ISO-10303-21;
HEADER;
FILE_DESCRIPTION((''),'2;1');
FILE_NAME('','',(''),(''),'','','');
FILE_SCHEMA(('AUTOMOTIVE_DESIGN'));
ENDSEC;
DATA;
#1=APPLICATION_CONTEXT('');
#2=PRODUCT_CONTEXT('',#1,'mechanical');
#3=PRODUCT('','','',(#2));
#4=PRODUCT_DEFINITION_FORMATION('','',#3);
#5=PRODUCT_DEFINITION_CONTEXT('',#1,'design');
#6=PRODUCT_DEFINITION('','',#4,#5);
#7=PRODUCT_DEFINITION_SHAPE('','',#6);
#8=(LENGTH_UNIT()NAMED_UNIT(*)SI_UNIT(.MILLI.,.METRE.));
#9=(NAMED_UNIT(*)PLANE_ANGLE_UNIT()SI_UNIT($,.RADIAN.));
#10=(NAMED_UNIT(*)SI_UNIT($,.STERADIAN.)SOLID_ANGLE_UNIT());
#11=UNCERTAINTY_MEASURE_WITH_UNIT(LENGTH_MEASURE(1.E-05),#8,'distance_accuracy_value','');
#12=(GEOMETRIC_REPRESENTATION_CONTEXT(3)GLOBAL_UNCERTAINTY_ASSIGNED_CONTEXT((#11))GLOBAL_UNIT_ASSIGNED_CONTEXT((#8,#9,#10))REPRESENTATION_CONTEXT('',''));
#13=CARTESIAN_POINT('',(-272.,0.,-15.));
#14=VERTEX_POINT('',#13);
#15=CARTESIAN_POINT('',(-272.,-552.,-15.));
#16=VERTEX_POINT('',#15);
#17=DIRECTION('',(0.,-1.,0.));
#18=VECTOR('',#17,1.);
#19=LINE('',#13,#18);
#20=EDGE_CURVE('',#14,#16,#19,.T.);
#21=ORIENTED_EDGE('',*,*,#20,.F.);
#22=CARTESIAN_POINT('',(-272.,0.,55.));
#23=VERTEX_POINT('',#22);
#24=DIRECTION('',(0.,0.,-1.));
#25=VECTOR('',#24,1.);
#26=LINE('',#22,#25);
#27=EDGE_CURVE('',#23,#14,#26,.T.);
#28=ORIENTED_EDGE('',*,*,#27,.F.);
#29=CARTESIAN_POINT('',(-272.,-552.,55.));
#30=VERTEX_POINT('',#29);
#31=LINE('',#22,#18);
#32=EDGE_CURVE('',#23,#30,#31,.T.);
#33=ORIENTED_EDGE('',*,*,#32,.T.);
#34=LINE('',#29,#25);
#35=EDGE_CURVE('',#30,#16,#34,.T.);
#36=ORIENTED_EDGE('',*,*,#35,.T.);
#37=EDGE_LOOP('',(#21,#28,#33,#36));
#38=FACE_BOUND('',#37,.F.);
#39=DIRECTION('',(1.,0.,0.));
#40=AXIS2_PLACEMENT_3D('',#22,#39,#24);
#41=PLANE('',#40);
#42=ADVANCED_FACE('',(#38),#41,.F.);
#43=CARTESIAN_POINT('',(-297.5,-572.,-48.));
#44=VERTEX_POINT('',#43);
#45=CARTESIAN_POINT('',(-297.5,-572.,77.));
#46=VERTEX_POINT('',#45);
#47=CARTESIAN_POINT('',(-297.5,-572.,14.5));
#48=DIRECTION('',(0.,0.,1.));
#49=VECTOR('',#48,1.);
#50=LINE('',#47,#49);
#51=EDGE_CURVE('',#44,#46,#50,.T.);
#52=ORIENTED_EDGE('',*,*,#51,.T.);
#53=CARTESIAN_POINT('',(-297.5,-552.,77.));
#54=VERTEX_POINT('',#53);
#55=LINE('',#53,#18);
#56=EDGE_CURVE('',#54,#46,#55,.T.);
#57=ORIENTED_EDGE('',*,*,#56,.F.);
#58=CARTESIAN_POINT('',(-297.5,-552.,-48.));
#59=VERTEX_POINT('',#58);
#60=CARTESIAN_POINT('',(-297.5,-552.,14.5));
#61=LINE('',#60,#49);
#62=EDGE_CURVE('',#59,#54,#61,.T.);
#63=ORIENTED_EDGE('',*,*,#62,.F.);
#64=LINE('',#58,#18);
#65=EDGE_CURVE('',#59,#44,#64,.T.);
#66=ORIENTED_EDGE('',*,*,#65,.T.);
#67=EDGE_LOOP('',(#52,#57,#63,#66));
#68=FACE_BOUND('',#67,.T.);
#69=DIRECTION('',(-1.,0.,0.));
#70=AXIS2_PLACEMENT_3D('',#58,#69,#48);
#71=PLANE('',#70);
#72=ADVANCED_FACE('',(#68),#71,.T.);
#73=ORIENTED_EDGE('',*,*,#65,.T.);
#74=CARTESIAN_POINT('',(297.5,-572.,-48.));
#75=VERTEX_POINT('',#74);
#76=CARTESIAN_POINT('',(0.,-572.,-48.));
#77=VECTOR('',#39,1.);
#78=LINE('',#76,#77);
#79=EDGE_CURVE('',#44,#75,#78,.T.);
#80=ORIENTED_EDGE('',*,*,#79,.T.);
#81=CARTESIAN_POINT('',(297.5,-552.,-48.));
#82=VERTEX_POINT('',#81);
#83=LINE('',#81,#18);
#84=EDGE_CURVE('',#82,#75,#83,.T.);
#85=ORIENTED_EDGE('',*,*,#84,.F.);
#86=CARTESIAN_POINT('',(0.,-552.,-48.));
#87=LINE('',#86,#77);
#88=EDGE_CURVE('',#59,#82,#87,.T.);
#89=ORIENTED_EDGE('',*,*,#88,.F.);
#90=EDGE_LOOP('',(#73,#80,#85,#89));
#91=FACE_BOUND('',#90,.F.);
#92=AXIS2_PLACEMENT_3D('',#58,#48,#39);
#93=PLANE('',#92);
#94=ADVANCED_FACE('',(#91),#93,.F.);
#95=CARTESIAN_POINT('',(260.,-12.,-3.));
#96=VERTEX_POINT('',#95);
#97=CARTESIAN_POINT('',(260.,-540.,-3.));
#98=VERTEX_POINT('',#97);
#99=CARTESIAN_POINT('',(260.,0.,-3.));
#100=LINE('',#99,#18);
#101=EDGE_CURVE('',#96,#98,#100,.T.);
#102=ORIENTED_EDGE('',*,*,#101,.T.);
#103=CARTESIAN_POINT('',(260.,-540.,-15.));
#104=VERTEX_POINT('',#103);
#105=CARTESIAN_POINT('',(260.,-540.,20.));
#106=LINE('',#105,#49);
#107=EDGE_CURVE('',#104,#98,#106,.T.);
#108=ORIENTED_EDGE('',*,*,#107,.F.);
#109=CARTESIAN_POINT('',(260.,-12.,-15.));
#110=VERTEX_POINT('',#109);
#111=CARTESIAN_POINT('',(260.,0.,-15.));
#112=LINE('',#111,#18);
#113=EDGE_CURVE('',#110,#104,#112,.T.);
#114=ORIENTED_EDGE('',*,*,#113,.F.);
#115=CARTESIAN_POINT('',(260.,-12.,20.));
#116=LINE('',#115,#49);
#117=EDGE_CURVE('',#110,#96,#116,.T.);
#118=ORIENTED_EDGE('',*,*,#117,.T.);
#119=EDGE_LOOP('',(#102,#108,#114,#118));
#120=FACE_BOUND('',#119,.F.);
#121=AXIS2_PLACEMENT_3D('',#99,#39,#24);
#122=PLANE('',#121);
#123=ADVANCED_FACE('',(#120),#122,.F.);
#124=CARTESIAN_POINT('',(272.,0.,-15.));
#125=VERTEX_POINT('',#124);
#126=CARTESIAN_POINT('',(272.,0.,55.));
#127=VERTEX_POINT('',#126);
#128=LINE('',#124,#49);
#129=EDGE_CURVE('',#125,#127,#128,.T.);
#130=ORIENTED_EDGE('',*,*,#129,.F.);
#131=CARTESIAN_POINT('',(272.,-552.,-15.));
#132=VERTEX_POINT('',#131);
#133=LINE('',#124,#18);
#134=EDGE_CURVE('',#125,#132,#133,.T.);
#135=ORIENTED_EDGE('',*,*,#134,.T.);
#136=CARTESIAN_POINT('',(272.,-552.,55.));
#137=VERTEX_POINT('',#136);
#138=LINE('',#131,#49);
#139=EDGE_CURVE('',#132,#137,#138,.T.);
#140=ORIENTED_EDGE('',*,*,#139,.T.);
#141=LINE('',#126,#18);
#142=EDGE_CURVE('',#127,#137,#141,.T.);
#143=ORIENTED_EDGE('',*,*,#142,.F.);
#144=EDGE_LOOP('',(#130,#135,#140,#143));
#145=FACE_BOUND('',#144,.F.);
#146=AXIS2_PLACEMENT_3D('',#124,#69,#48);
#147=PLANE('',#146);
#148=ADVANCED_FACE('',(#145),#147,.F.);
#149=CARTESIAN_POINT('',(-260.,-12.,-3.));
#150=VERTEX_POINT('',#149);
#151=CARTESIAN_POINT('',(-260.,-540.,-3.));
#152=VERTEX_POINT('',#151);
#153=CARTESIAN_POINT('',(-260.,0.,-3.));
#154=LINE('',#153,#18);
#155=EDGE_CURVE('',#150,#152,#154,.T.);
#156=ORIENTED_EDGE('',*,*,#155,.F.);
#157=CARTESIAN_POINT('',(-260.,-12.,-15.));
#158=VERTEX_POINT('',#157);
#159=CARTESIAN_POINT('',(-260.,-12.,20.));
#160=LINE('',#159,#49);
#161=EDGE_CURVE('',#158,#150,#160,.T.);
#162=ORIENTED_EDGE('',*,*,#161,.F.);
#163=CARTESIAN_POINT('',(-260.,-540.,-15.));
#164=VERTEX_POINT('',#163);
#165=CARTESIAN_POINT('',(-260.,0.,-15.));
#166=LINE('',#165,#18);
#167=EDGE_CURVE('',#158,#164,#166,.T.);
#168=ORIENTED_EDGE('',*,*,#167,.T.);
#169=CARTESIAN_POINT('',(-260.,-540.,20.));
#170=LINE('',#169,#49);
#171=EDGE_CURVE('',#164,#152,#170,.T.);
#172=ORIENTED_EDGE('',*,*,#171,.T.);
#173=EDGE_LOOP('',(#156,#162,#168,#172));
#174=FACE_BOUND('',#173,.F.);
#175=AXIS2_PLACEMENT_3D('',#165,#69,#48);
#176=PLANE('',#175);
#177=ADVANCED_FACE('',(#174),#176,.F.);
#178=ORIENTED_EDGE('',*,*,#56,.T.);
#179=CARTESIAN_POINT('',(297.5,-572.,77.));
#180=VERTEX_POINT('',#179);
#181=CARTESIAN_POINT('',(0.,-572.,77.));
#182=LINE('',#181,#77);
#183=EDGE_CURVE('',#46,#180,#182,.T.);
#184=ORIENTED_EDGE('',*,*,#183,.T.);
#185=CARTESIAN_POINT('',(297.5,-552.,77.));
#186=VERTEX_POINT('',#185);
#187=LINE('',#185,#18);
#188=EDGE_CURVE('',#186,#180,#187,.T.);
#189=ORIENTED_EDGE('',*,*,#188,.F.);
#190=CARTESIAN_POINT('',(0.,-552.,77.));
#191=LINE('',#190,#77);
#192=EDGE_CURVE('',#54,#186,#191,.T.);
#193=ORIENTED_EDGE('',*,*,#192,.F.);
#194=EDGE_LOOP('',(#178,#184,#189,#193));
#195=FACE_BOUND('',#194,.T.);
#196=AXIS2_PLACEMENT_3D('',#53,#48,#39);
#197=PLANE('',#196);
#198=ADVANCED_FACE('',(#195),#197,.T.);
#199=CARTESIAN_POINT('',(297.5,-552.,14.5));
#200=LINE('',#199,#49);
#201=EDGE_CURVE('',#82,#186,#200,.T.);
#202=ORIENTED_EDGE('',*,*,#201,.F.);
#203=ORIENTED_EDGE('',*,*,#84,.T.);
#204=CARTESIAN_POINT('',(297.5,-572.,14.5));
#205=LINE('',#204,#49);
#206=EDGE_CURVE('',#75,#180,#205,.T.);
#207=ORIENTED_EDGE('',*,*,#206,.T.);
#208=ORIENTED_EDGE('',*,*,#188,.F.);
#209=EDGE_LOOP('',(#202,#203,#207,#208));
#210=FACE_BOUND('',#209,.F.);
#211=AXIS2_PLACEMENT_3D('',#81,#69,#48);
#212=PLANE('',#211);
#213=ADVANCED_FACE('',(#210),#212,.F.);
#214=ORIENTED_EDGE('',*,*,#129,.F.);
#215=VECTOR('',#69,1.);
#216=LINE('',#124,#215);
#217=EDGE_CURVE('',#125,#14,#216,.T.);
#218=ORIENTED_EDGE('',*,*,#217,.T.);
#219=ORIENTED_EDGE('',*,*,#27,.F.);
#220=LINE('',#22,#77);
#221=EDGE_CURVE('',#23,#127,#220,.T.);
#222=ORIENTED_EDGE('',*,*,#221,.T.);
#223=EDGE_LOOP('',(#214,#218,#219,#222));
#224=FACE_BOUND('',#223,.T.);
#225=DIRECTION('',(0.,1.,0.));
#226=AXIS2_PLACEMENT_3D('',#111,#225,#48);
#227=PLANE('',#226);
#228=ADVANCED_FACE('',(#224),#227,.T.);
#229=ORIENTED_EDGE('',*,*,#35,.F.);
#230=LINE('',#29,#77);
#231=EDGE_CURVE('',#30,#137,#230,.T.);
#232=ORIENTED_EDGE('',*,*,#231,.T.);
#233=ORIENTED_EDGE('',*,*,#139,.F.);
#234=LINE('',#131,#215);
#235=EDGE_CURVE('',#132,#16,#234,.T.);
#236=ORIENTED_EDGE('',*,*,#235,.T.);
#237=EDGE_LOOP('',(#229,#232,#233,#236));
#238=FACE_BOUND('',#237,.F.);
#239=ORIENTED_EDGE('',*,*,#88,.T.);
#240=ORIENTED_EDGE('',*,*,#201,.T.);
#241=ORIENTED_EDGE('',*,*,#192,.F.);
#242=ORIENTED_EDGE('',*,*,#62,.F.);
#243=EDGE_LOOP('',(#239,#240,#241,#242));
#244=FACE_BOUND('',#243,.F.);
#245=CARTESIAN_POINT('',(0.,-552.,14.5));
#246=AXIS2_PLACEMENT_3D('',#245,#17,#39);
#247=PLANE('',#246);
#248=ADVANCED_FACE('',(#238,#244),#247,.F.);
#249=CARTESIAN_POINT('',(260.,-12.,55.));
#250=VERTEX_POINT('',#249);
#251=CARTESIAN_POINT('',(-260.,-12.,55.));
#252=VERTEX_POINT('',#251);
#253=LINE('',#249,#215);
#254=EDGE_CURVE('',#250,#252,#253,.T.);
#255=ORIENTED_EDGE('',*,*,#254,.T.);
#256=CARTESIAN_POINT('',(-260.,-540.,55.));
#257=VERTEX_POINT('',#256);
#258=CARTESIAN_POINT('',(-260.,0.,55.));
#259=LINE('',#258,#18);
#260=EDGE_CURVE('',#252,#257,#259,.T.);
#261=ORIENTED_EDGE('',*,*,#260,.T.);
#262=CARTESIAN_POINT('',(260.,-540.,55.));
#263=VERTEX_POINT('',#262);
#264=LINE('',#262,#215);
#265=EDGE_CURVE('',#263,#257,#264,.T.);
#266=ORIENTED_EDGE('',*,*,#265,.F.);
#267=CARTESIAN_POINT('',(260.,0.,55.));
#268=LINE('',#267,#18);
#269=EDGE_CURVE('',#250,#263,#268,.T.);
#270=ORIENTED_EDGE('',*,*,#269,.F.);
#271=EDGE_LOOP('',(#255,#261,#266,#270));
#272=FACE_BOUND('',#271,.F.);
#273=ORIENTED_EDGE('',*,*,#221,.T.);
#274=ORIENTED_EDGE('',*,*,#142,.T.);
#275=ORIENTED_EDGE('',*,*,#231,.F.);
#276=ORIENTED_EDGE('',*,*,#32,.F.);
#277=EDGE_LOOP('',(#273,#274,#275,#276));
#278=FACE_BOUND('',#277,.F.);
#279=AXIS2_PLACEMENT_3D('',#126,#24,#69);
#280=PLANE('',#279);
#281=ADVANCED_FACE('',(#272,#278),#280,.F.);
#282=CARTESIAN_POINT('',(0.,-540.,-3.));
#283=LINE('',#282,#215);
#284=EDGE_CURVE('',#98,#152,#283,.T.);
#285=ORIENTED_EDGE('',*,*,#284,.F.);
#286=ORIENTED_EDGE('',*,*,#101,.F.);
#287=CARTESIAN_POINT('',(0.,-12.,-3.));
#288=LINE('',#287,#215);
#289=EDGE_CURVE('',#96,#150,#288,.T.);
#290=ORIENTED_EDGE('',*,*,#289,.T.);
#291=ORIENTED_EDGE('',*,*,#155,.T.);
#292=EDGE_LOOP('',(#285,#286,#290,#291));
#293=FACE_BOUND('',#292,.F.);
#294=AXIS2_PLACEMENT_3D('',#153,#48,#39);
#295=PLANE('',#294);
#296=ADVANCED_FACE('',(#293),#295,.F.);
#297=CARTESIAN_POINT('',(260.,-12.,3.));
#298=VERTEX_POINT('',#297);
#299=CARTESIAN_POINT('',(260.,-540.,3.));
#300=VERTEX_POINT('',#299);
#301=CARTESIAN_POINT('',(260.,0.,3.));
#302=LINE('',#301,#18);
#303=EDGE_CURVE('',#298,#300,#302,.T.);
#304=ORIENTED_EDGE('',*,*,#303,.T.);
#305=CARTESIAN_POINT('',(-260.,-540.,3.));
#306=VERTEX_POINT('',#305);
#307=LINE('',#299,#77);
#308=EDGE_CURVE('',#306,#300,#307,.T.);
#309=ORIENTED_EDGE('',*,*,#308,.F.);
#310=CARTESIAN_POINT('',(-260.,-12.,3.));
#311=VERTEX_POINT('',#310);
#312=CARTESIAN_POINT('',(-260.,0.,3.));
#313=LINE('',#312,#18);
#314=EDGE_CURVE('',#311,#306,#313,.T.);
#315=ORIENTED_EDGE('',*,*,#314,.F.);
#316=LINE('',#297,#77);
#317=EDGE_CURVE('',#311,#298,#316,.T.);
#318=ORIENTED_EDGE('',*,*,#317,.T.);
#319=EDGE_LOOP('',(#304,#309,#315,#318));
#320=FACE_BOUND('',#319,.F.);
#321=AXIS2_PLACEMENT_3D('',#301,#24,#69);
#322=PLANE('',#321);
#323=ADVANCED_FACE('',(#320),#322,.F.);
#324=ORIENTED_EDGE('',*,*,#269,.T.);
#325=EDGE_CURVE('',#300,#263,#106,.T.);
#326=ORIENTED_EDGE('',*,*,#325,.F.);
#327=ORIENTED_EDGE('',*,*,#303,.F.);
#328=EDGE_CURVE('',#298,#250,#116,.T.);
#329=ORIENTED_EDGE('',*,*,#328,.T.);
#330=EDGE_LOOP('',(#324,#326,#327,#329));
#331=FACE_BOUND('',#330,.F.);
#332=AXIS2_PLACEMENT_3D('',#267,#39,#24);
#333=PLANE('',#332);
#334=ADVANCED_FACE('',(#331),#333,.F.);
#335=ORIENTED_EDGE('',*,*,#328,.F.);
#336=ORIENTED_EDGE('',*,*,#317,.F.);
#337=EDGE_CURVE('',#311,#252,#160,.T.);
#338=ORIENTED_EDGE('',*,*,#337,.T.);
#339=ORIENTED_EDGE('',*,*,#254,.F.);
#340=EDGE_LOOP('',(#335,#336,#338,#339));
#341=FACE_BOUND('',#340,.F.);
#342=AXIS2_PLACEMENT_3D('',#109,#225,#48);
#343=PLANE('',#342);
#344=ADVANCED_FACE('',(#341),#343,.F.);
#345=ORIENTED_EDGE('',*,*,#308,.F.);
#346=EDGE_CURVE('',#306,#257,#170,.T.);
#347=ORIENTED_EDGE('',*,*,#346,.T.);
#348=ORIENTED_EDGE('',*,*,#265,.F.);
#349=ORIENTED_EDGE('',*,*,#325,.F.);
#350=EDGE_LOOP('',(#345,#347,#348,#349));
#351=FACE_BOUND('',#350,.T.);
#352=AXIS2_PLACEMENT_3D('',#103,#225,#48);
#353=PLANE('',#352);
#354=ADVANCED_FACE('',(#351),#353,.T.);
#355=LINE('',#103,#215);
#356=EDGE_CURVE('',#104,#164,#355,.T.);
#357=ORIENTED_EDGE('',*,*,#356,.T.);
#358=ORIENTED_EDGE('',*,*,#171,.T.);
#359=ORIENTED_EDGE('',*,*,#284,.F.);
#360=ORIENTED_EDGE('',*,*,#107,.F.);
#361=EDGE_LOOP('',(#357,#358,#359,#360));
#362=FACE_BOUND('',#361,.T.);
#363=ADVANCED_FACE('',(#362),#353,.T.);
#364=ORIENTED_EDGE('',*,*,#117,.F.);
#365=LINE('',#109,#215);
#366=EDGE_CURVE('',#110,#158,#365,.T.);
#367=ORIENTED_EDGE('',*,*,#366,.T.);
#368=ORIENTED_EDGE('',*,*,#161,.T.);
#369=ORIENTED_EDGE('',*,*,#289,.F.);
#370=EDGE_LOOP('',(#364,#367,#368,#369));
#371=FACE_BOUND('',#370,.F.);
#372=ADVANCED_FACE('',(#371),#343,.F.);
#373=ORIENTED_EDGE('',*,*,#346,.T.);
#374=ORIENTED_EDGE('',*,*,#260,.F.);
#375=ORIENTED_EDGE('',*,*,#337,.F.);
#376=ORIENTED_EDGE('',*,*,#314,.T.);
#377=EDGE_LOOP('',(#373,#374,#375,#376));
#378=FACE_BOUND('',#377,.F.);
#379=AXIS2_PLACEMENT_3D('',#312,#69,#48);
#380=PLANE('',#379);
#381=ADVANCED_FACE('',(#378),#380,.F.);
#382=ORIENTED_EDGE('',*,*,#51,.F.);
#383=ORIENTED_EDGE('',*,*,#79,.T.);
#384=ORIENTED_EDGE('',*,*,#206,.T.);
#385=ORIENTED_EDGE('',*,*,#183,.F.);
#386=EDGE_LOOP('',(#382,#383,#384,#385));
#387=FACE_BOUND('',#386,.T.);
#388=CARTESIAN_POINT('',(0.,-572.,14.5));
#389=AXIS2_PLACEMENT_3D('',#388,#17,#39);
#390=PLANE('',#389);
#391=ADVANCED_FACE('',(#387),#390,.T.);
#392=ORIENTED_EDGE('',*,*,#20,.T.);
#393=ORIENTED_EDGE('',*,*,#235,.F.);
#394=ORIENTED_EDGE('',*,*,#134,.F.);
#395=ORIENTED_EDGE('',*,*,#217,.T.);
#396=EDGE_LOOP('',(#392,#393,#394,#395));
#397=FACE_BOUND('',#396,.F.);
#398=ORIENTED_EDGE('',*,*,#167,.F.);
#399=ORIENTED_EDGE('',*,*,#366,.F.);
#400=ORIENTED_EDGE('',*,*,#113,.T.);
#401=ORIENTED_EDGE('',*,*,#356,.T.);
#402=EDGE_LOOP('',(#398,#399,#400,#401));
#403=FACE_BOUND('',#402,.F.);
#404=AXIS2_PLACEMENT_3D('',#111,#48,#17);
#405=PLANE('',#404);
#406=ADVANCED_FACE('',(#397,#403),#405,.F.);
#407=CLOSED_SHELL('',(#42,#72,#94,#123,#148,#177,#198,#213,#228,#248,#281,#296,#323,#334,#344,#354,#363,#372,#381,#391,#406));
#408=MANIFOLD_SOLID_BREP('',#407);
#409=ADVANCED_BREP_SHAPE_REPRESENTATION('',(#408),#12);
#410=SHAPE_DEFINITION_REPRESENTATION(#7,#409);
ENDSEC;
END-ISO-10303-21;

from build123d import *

# Parameters (mm, degrees)
F1_DEPTH = 552
F2_W     = 12
F2_H     = 70
F3_DEPTH = 520
F4_W     = 595
F4_H     = 125
F5_DEPTH = 20


with BuildPart() as f1:
    # F0 (on Front) → F1 (new body)
    with BuildSketch(Plane.XZ):
        Polygon((260, 55), (260, 3), (-260, 3), (-260, 55), (-272, 55), (-272, -15), (-260, -15), (-260, -3), (260, -3), (260, -15), (272, -15), (272, 55), align=None)
    extrude(amount=F1_DEPTH)

    # F2 (on face) → F3 (join)
    with BuildSketch(Plane(origin=(260, 0, 0), x_dir=(0, -1, 0), z_dir=(-1, 0, 0))):
        with Locations((6, 20)):
            Rectangle(F2_W, F2_H)
        with Locations((546, 20)):
            Rectangle(F2_W, F2_H)
    extrude(amount=F3_DEPTH)

    # F4 (on face) → F5 (join)
    with BuildSketch(Plane.XZ.offset(552)):
        with Locations((0, 14.5)):
            Rectangle(F4_W, F4_H)
    extrude(amount=F5_DEPTH)


solid = f1.part
